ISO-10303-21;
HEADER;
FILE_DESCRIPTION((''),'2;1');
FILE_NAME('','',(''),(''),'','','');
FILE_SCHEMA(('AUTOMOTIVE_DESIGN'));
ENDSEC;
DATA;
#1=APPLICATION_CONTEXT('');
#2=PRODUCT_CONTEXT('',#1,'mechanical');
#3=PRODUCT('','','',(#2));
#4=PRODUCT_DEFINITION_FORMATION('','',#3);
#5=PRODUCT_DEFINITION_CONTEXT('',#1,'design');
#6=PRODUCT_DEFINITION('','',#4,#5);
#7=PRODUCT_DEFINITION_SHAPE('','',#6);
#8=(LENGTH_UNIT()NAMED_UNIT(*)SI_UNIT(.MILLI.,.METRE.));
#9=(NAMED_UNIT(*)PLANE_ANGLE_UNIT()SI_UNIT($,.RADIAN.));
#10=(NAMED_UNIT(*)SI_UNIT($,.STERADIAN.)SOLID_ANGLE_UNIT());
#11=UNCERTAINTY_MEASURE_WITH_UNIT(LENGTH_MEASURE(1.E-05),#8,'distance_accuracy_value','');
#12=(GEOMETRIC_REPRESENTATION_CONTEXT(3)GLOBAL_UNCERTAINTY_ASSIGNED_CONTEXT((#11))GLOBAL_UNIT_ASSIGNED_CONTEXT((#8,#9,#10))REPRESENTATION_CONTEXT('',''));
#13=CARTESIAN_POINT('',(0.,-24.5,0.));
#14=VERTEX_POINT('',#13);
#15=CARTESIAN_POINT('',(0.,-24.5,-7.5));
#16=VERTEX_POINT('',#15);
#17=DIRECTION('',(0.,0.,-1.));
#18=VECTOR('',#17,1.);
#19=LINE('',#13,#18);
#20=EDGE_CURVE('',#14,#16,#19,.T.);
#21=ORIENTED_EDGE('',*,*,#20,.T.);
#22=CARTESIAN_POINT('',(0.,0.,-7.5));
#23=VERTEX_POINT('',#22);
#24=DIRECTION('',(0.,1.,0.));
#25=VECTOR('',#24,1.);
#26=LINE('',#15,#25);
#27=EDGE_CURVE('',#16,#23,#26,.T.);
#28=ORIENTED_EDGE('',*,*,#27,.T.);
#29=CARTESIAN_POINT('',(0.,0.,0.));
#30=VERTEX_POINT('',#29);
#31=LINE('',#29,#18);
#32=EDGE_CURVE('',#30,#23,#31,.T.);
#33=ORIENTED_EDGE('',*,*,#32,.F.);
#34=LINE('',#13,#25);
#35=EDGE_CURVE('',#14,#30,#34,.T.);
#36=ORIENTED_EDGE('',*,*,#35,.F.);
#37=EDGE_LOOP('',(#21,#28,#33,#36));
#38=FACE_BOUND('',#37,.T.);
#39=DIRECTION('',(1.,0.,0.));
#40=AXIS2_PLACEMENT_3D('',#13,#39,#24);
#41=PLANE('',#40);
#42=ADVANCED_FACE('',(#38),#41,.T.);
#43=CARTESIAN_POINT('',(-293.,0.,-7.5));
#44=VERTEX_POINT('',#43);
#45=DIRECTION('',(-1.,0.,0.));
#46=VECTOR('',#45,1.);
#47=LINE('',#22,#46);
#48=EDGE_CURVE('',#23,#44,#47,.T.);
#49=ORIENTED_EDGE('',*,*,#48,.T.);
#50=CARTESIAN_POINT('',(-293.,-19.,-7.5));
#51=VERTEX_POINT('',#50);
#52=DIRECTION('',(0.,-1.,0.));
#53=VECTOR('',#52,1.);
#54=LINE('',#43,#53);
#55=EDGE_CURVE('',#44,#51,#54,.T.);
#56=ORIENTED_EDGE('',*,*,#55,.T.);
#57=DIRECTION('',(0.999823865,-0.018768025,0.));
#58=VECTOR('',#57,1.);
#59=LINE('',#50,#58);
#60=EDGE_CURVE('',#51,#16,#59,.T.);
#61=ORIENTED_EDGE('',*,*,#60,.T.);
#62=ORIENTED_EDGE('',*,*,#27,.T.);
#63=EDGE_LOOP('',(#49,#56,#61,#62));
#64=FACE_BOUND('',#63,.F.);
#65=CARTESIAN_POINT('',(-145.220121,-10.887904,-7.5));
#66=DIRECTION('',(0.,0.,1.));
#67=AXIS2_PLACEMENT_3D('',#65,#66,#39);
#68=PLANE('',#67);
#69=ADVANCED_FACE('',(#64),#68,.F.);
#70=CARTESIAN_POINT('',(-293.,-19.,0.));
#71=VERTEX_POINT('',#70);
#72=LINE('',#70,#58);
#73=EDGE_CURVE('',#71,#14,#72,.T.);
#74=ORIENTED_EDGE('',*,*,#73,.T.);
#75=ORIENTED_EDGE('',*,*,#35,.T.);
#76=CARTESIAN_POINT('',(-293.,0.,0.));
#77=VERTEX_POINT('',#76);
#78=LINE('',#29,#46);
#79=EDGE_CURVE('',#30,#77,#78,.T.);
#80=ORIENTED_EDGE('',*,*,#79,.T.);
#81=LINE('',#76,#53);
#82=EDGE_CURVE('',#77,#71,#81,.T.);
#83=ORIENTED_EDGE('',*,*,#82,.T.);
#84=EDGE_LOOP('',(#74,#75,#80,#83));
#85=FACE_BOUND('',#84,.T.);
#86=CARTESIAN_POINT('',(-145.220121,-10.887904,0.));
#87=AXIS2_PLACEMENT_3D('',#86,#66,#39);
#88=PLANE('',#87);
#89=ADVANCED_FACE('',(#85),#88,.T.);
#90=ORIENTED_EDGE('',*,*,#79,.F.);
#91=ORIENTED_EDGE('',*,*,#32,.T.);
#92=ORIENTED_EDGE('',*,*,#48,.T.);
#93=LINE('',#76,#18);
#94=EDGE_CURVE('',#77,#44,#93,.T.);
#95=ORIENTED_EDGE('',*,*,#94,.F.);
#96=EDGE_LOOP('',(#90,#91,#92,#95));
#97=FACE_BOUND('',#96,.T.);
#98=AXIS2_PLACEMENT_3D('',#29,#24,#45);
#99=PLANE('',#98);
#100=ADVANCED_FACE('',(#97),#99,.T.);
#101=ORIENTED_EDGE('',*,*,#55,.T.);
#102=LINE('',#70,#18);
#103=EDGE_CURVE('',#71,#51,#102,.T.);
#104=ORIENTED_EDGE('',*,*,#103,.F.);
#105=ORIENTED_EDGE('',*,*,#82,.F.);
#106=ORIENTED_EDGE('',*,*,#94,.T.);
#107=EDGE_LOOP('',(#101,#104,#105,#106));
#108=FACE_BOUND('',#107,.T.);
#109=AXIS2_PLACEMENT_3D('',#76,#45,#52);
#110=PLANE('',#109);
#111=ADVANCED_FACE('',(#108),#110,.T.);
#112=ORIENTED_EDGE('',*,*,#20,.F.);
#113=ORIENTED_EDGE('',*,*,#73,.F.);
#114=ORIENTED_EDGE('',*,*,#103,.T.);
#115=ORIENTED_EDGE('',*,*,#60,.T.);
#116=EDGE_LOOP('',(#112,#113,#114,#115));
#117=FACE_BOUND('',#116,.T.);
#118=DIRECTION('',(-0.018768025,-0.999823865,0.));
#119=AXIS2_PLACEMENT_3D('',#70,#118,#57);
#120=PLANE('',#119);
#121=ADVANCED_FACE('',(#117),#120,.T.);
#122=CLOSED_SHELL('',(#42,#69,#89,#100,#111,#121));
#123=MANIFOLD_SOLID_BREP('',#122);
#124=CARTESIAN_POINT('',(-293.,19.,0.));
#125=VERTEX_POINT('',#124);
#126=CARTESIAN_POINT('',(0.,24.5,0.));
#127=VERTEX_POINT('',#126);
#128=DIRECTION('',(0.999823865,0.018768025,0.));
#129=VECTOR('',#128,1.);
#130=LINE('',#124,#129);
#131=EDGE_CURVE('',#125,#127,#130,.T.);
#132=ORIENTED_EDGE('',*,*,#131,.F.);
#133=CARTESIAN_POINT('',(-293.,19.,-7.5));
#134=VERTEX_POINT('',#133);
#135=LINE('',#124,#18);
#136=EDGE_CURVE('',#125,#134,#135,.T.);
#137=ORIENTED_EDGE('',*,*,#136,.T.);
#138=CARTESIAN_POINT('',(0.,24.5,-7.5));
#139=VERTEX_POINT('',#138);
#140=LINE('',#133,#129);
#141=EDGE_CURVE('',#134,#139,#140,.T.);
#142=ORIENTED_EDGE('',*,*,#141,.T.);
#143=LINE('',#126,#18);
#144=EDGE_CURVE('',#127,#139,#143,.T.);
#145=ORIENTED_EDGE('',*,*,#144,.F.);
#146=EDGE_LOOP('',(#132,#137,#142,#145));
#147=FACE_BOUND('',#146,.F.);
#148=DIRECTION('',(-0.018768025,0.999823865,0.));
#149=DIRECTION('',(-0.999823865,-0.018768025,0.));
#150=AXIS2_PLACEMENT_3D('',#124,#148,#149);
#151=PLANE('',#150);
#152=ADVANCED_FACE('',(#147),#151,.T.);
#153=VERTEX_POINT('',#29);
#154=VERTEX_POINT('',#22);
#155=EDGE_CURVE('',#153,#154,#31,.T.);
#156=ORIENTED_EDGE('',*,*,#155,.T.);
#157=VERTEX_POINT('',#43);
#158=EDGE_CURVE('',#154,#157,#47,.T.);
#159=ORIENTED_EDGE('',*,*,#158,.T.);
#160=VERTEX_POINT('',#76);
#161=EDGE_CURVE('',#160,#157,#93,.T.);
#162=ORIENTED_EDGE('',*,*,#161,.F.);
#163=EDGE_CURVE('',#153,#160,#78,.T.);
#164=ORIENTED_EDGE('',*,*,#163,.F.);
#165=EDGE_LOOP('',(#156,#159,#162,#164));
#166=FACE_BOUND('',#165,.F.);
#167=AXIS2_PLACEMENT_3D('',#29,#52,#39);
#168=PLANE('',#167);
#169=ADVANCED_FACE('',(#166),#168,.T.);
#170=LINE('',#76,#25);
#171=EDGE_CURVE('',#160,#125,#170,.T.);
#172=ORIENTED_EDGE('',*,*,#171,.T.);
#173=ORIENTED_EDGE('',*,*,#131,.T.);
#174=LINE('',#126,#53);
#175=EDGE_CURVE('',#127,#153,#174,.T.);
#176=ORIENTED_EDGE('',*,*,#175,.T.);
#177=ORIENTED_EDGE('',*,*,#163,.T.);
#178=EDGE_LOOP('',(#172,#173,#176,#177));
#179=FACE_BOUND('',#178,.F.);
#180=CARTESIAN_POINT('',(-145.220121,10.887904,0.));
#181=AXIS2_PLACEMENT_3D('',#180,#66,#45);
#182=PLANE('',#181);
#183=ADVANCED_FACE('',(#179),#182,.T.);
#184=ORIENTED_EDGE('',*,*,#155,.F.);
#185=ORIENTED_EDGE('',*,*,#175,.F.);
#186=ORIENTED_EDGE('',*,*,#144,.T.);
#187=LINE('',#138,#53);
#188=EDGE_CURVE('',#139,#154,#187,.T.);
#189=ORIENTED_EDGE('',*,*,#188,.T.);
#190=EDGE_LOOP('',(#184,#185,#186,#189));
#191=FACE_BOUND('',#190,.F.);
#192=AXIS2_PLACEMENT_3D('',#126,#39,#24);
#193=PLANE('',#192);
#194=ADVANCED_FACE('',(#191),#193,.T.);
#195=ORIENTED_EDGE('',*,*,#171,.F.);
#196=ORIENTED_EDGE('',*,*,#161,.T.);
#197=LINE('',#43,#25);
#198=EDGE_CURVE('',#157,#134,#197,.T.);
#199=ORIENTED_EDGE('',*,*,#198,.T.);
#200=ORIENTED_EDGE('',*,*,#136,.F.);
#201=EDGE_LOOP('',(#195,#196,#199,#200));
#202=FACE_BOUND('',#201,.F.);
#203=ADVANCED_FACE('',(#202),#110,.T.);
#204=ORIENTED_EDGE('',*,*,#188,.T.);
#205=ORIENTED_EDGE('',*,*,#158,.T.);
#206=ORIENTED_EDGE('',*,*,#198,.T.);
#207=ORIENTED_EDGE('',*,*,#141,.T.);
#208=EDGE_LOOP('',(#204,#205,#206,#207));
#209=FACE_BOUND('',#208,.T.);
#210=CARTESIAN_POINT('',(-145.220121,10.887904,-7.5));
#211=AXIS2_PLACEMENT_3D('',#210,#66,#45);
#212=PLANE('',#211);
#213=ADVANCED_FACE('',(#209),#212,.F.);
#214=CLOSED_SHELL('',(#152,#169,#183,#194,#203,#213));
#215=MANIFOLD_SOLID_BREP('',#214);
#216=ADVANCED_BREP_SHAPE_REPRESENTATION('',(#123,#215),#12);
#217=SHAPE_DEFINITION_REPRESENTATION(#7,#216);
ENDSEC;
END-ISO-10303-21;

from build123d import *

# Parameters (mm, degrees)
F1_DEPTH = 7.5


with BuildPart() as f1:
    # F0 (on Top) → F1 (new body)
    with BuildSketch(Plane.XY):
        Polygon((0, 0), (-293, 0), (-293, -19), (0, -24.5), align=None)
    extrude(amount=-F1_DEPTH)


with BuildPart() as f2_1:
    # F2: instance of F1
    add(f1.part.mirror(Plane.XZ))


solid = Compound([f1.part, f2_1.part])
